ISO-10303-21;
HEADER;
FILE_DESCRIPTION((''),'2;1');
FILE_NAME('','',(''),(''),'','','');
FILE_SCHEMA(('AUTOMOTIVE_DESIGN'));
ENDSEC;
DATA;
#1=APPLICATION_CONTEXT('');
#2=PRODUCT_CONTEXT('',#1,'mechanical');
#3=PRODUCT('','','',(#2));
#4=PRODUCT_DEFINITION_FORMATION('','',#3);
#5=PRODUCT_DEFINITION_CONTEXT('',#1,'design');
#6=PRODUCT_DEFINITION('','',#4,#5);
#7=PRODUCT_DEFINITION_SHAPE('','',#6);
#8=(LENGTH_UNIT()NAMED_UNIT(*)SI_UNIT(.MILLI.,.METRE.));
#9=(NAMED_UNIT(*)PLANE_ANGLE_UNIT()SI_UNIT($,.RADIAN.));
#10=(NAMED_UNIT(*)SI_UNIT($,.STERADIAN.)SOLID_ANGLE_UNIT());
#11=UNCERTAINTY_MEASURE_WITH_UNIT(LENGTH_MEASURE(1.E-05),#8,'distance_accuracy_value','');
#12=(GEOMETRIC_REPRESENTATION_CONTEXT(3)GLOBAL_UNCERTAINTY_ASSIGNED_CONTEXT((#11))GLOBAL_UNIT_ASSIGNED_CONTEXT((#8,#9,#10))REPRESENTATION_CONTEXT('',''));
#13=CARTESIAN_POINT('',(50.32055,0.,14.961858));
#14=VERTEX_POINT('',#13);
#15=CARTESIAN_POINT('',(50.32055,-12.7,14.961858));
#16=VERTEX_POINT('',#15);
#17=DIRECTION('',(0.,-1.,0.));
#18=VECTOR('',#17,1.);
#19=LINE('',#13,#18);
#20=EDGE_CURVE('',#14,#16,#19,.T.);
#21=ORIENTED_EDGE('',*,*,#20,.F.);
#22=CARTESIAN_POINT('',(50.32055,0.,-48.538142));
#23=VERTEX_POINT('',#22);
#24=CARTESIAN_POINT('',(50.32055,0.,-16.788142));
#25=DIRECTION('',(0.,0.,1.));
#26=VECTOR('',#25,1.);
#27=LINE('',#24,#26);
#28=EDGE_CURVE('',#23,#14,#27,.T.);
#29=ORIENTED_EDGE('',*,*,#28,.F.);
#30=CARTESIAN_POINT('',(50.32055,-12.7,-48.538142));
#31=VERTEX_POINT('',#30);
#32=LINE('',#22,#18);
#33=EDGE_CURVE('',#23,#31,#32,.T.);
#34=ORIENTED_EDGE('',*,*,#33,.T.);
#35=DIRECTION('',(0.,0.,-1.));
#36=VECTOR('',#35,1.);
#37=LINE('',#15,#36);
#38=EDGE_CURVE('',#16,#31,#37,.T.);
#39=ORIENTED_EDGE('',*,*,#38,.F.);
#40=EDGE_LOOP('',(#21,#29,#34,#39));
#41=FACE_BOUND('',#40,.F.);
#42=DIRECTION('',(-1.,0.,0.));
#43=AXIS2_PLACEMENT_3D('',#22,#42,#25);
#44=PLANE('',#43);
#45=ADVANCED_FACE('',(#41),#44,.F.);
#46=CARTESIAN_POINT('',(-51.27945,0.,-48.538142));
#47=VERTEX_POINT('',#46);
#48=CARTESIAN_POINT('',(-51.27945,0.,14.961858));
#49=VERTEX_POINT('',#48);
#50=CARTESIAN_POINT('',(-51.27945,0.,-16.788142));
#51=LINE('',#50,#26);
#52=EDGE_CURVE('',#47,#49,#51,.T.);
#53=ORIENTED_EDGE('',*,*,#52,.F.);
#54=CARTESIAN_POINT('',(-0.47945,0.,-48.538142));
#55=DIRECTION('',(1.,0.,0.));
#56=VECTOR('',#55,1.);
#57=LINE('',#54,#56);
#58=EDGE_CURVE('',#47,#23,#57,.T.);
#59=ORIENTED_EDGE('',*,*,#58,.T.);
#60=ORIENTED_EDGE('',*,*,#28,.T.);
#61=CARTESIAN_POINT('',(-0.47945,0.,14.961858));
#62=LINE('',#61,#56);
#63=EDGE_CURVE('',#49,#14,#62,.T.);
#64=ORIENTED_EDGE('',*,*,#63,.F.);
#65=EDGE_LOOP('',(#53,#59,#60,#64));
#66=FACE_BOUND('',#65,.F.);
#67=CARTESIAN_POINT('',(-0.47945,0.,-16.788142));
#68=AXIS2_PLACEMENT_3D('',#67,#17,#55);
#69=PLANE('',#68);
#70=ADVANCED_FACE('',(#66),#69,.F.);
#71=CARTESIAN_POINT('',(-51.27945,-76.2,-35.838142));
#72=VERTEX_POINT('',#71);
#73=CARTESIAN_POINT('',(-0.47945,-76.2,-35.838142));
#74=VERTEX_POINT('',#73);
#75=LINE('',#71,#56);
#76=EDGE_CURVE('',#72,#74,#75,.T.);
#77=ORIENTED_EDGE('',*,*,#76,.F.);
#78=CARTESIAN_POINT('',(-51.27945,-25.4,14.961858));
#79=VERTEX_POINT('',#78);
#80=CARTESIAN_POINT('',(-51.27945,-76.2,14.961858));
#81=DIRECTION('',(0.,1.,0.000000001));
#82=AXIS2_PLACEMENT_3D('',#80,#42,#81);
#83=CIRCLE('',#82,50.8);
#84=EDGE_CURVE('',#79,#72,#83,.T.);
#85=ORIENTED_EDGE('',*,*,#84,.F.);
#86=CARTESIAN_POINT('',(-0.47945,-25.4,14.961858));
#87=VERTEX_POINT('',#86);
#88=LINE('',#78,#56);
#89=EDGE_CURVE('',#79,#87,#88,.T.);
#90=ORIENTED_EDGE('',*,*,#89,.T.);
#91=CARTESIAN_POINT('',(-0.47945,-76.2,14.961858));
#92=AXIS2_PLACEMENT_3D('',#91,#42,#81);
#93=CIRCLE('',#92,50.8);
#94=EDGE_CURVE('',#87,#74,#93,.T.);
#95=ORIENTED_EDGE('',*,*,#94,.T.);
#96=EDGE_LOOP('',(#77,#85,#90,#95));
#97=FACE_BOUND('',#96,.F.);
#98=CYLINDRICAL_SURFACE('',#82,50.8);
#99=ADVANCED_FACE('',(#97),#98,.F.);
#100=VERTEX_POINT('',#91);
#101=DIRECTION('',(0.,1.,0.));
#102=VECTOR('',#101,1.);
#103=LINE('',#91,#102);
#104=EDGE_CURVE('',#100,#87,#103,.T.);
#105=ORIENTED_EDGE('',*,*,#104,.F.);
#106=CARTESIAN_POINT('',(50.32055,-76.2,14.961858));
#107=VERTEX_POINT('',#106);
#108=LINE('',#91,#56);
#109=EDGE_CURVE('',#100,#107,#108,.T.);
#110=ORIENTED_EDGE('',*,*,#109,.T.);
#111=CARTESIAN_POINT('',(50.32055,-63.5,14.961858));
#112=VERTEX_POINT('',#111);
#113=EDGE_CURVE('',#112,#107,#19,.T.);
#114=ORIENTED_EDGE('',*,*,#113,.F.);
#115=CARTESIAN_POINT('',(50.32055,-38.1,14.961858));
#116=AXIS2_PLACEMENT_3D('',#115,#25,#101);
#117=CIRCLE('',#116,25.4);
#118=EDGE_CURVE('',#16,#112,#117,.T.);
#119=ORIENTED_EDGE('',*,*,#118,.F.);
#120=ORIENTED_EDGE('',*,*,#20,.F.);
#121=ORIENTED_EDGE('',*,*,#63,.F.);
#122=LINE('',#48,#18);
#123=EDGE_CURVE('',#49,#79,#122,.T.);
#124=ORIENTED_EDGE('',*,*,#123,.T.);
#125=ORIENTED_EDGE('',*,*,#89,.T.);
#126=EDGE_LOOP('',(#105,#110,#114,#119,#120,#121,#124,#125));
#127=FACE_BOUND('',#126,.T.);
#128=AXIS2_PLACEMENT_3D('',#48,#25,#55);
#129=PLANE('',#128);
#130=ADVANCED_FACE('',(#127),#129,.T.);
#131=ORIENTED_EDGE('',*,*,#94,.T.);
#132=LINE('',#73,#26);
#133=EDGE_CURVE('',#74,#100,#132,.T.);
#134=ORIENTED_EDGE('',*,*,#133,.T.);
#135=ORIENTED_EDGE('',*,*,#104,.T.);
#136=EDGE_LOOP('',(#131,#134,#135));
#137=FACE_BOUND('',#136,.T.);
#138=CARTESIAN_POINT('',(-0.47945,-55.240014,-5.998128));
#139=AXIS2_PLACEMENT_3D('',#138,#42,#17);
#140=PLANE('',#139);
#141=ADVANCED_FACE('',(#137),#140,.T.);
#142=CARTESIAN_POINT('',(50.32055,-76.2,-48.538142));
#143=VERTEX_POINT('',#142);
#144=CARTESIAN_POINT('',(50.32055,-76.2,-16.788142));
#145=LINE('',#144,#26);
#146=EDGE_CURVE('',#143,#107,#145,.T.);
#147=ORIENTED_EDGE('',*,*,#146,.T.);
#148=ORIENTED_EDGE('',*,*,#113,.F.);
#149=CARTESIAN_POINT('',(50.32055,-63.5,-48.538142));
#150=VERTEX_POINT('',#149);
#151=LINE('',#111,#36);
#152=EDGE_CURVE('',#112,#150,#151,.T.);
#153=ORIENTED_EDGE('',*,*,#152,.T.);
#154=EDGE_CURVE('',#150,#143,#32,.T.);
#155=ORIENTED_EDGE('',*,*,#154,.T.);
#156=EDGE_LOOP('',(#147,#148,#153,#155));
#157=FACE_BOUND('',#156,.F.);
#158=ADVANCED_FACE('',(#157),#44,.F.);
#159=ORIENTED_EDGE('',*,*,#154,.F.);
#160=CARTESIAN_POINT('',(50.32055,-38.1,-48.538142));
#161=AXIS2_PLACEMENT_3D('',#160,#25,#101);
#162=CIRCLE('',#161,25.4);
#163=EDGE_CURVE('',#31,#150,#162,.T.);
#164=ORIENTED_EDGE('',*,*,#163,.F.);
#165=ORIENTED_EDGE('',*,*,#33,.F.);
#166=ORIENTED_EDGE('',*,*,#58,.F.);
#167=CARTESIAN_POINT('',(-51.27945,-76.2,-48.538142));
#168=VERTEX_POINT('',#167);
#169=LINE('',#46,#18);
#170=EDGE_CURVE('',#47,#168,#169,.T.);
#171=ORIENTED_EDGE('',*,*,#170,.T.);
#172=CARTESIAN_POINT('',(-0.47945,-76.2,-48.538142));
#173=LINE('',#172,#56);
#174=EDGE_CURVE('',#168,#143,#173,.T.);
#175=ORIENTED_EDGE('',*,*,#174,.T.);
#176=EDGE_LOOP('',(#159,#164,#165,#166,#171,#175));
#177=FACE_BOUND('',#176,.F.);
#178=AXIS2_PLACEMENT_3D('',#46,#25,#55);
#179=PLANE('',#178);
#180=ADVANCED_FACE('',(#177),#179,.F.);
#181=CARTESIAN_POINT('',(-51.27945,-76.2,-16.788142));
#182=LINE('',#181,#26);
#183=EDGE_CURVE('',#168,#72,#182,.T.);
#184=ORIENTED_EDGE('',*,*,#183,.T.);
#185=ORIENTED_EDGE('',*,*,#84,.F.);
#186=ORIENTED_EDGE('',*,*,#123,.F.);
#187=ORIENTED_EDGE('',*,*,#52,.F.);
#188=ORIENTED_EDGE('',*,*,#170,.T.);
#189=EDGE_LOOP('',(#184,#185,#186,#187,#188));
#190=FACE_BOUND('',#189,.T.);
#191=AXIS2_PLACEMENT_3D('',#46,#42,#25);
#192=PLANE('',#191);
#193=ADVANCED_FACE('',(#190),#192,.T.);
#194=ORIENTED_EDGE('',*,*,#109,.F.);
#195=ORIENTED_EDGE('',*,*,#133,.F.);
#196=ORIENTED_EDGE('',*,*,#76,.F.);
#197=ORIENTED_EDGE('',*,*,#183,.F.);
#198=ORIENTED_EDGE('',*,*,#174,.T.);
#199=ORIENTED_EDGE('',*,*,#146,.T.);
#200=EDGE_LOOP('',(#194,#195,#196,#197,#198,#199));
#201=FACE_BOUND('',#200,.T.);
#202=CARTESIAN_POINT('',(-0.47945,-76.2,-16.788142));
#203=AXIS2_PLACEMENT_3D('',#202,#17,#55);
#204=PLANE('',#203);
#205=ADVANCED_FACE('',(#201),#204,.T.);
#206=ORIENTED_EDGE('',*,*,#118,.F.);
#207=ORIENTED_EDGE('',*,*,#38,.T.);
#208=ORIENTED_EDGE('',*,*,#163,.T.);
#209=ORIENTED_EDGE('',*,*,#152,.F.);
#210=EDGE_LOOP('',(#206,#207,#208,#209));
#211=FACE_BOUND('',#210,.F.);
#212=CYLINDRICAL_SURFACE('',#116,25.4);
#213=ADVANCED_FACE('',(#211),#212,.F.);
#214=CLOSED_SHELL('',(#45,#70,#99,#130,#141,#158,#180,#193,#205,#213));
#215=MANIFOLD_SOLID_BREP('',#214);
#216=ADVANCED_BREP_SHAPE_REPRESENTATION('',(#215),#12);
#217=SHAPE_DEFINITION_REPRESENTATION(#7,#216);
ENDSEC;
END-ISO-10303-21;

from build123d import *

# Parameters (mm, degrees)
F0_W     = 101.6
F0_H     = 63.5
F1_DEPTH = 76.2
F3_DEPTH = 63.5
F5_DEPTH = 50.8


with BuildPart() as f1:
    # F0 (on Front) → F1 (new body)
    with BuildSketch(Plane.XZ):
        with Locations((-0.47945, -16.788142)):
            Rectangle(F0_W, F0_H)
    extrude(amount=F1_DEPTH)

    # F2 (on face) → F3 (cut)
    with BuildSketch(Plane.XY.offset(14.961858)):
        with BuildLine():
            Line((50.32055, -63.5), (50.32055, -12.7))
            ThreePointArc((50.32055, -12.7), (24.92055, -38.1), (50.32055, -63.5))
        make_face()
    extrude(amount=-F3_DEPTH, mode=Mode.SUBTRACT)

    # F4 (on face) → F5 (cut)
    with BuildSketch(Plane(origin=(-51.27945, 0, 0), x_dir=(0, -1, 0), z_dir=(-1, 0, 0))):
        with BuildLine():
            Line((76.2, 14.961858), (25.4, 14.961858))
            ThreePointArc((25.4, 14.961858), (40.278976, -20.959167), (76.2, -35.838142))
            Line((76.2, -35.838142), (76.2, 14.961858))
        make_face()
    extrude(amount=-F5_DEPTH, mode=Mode.SUBTRACT)


solid = f1.part
